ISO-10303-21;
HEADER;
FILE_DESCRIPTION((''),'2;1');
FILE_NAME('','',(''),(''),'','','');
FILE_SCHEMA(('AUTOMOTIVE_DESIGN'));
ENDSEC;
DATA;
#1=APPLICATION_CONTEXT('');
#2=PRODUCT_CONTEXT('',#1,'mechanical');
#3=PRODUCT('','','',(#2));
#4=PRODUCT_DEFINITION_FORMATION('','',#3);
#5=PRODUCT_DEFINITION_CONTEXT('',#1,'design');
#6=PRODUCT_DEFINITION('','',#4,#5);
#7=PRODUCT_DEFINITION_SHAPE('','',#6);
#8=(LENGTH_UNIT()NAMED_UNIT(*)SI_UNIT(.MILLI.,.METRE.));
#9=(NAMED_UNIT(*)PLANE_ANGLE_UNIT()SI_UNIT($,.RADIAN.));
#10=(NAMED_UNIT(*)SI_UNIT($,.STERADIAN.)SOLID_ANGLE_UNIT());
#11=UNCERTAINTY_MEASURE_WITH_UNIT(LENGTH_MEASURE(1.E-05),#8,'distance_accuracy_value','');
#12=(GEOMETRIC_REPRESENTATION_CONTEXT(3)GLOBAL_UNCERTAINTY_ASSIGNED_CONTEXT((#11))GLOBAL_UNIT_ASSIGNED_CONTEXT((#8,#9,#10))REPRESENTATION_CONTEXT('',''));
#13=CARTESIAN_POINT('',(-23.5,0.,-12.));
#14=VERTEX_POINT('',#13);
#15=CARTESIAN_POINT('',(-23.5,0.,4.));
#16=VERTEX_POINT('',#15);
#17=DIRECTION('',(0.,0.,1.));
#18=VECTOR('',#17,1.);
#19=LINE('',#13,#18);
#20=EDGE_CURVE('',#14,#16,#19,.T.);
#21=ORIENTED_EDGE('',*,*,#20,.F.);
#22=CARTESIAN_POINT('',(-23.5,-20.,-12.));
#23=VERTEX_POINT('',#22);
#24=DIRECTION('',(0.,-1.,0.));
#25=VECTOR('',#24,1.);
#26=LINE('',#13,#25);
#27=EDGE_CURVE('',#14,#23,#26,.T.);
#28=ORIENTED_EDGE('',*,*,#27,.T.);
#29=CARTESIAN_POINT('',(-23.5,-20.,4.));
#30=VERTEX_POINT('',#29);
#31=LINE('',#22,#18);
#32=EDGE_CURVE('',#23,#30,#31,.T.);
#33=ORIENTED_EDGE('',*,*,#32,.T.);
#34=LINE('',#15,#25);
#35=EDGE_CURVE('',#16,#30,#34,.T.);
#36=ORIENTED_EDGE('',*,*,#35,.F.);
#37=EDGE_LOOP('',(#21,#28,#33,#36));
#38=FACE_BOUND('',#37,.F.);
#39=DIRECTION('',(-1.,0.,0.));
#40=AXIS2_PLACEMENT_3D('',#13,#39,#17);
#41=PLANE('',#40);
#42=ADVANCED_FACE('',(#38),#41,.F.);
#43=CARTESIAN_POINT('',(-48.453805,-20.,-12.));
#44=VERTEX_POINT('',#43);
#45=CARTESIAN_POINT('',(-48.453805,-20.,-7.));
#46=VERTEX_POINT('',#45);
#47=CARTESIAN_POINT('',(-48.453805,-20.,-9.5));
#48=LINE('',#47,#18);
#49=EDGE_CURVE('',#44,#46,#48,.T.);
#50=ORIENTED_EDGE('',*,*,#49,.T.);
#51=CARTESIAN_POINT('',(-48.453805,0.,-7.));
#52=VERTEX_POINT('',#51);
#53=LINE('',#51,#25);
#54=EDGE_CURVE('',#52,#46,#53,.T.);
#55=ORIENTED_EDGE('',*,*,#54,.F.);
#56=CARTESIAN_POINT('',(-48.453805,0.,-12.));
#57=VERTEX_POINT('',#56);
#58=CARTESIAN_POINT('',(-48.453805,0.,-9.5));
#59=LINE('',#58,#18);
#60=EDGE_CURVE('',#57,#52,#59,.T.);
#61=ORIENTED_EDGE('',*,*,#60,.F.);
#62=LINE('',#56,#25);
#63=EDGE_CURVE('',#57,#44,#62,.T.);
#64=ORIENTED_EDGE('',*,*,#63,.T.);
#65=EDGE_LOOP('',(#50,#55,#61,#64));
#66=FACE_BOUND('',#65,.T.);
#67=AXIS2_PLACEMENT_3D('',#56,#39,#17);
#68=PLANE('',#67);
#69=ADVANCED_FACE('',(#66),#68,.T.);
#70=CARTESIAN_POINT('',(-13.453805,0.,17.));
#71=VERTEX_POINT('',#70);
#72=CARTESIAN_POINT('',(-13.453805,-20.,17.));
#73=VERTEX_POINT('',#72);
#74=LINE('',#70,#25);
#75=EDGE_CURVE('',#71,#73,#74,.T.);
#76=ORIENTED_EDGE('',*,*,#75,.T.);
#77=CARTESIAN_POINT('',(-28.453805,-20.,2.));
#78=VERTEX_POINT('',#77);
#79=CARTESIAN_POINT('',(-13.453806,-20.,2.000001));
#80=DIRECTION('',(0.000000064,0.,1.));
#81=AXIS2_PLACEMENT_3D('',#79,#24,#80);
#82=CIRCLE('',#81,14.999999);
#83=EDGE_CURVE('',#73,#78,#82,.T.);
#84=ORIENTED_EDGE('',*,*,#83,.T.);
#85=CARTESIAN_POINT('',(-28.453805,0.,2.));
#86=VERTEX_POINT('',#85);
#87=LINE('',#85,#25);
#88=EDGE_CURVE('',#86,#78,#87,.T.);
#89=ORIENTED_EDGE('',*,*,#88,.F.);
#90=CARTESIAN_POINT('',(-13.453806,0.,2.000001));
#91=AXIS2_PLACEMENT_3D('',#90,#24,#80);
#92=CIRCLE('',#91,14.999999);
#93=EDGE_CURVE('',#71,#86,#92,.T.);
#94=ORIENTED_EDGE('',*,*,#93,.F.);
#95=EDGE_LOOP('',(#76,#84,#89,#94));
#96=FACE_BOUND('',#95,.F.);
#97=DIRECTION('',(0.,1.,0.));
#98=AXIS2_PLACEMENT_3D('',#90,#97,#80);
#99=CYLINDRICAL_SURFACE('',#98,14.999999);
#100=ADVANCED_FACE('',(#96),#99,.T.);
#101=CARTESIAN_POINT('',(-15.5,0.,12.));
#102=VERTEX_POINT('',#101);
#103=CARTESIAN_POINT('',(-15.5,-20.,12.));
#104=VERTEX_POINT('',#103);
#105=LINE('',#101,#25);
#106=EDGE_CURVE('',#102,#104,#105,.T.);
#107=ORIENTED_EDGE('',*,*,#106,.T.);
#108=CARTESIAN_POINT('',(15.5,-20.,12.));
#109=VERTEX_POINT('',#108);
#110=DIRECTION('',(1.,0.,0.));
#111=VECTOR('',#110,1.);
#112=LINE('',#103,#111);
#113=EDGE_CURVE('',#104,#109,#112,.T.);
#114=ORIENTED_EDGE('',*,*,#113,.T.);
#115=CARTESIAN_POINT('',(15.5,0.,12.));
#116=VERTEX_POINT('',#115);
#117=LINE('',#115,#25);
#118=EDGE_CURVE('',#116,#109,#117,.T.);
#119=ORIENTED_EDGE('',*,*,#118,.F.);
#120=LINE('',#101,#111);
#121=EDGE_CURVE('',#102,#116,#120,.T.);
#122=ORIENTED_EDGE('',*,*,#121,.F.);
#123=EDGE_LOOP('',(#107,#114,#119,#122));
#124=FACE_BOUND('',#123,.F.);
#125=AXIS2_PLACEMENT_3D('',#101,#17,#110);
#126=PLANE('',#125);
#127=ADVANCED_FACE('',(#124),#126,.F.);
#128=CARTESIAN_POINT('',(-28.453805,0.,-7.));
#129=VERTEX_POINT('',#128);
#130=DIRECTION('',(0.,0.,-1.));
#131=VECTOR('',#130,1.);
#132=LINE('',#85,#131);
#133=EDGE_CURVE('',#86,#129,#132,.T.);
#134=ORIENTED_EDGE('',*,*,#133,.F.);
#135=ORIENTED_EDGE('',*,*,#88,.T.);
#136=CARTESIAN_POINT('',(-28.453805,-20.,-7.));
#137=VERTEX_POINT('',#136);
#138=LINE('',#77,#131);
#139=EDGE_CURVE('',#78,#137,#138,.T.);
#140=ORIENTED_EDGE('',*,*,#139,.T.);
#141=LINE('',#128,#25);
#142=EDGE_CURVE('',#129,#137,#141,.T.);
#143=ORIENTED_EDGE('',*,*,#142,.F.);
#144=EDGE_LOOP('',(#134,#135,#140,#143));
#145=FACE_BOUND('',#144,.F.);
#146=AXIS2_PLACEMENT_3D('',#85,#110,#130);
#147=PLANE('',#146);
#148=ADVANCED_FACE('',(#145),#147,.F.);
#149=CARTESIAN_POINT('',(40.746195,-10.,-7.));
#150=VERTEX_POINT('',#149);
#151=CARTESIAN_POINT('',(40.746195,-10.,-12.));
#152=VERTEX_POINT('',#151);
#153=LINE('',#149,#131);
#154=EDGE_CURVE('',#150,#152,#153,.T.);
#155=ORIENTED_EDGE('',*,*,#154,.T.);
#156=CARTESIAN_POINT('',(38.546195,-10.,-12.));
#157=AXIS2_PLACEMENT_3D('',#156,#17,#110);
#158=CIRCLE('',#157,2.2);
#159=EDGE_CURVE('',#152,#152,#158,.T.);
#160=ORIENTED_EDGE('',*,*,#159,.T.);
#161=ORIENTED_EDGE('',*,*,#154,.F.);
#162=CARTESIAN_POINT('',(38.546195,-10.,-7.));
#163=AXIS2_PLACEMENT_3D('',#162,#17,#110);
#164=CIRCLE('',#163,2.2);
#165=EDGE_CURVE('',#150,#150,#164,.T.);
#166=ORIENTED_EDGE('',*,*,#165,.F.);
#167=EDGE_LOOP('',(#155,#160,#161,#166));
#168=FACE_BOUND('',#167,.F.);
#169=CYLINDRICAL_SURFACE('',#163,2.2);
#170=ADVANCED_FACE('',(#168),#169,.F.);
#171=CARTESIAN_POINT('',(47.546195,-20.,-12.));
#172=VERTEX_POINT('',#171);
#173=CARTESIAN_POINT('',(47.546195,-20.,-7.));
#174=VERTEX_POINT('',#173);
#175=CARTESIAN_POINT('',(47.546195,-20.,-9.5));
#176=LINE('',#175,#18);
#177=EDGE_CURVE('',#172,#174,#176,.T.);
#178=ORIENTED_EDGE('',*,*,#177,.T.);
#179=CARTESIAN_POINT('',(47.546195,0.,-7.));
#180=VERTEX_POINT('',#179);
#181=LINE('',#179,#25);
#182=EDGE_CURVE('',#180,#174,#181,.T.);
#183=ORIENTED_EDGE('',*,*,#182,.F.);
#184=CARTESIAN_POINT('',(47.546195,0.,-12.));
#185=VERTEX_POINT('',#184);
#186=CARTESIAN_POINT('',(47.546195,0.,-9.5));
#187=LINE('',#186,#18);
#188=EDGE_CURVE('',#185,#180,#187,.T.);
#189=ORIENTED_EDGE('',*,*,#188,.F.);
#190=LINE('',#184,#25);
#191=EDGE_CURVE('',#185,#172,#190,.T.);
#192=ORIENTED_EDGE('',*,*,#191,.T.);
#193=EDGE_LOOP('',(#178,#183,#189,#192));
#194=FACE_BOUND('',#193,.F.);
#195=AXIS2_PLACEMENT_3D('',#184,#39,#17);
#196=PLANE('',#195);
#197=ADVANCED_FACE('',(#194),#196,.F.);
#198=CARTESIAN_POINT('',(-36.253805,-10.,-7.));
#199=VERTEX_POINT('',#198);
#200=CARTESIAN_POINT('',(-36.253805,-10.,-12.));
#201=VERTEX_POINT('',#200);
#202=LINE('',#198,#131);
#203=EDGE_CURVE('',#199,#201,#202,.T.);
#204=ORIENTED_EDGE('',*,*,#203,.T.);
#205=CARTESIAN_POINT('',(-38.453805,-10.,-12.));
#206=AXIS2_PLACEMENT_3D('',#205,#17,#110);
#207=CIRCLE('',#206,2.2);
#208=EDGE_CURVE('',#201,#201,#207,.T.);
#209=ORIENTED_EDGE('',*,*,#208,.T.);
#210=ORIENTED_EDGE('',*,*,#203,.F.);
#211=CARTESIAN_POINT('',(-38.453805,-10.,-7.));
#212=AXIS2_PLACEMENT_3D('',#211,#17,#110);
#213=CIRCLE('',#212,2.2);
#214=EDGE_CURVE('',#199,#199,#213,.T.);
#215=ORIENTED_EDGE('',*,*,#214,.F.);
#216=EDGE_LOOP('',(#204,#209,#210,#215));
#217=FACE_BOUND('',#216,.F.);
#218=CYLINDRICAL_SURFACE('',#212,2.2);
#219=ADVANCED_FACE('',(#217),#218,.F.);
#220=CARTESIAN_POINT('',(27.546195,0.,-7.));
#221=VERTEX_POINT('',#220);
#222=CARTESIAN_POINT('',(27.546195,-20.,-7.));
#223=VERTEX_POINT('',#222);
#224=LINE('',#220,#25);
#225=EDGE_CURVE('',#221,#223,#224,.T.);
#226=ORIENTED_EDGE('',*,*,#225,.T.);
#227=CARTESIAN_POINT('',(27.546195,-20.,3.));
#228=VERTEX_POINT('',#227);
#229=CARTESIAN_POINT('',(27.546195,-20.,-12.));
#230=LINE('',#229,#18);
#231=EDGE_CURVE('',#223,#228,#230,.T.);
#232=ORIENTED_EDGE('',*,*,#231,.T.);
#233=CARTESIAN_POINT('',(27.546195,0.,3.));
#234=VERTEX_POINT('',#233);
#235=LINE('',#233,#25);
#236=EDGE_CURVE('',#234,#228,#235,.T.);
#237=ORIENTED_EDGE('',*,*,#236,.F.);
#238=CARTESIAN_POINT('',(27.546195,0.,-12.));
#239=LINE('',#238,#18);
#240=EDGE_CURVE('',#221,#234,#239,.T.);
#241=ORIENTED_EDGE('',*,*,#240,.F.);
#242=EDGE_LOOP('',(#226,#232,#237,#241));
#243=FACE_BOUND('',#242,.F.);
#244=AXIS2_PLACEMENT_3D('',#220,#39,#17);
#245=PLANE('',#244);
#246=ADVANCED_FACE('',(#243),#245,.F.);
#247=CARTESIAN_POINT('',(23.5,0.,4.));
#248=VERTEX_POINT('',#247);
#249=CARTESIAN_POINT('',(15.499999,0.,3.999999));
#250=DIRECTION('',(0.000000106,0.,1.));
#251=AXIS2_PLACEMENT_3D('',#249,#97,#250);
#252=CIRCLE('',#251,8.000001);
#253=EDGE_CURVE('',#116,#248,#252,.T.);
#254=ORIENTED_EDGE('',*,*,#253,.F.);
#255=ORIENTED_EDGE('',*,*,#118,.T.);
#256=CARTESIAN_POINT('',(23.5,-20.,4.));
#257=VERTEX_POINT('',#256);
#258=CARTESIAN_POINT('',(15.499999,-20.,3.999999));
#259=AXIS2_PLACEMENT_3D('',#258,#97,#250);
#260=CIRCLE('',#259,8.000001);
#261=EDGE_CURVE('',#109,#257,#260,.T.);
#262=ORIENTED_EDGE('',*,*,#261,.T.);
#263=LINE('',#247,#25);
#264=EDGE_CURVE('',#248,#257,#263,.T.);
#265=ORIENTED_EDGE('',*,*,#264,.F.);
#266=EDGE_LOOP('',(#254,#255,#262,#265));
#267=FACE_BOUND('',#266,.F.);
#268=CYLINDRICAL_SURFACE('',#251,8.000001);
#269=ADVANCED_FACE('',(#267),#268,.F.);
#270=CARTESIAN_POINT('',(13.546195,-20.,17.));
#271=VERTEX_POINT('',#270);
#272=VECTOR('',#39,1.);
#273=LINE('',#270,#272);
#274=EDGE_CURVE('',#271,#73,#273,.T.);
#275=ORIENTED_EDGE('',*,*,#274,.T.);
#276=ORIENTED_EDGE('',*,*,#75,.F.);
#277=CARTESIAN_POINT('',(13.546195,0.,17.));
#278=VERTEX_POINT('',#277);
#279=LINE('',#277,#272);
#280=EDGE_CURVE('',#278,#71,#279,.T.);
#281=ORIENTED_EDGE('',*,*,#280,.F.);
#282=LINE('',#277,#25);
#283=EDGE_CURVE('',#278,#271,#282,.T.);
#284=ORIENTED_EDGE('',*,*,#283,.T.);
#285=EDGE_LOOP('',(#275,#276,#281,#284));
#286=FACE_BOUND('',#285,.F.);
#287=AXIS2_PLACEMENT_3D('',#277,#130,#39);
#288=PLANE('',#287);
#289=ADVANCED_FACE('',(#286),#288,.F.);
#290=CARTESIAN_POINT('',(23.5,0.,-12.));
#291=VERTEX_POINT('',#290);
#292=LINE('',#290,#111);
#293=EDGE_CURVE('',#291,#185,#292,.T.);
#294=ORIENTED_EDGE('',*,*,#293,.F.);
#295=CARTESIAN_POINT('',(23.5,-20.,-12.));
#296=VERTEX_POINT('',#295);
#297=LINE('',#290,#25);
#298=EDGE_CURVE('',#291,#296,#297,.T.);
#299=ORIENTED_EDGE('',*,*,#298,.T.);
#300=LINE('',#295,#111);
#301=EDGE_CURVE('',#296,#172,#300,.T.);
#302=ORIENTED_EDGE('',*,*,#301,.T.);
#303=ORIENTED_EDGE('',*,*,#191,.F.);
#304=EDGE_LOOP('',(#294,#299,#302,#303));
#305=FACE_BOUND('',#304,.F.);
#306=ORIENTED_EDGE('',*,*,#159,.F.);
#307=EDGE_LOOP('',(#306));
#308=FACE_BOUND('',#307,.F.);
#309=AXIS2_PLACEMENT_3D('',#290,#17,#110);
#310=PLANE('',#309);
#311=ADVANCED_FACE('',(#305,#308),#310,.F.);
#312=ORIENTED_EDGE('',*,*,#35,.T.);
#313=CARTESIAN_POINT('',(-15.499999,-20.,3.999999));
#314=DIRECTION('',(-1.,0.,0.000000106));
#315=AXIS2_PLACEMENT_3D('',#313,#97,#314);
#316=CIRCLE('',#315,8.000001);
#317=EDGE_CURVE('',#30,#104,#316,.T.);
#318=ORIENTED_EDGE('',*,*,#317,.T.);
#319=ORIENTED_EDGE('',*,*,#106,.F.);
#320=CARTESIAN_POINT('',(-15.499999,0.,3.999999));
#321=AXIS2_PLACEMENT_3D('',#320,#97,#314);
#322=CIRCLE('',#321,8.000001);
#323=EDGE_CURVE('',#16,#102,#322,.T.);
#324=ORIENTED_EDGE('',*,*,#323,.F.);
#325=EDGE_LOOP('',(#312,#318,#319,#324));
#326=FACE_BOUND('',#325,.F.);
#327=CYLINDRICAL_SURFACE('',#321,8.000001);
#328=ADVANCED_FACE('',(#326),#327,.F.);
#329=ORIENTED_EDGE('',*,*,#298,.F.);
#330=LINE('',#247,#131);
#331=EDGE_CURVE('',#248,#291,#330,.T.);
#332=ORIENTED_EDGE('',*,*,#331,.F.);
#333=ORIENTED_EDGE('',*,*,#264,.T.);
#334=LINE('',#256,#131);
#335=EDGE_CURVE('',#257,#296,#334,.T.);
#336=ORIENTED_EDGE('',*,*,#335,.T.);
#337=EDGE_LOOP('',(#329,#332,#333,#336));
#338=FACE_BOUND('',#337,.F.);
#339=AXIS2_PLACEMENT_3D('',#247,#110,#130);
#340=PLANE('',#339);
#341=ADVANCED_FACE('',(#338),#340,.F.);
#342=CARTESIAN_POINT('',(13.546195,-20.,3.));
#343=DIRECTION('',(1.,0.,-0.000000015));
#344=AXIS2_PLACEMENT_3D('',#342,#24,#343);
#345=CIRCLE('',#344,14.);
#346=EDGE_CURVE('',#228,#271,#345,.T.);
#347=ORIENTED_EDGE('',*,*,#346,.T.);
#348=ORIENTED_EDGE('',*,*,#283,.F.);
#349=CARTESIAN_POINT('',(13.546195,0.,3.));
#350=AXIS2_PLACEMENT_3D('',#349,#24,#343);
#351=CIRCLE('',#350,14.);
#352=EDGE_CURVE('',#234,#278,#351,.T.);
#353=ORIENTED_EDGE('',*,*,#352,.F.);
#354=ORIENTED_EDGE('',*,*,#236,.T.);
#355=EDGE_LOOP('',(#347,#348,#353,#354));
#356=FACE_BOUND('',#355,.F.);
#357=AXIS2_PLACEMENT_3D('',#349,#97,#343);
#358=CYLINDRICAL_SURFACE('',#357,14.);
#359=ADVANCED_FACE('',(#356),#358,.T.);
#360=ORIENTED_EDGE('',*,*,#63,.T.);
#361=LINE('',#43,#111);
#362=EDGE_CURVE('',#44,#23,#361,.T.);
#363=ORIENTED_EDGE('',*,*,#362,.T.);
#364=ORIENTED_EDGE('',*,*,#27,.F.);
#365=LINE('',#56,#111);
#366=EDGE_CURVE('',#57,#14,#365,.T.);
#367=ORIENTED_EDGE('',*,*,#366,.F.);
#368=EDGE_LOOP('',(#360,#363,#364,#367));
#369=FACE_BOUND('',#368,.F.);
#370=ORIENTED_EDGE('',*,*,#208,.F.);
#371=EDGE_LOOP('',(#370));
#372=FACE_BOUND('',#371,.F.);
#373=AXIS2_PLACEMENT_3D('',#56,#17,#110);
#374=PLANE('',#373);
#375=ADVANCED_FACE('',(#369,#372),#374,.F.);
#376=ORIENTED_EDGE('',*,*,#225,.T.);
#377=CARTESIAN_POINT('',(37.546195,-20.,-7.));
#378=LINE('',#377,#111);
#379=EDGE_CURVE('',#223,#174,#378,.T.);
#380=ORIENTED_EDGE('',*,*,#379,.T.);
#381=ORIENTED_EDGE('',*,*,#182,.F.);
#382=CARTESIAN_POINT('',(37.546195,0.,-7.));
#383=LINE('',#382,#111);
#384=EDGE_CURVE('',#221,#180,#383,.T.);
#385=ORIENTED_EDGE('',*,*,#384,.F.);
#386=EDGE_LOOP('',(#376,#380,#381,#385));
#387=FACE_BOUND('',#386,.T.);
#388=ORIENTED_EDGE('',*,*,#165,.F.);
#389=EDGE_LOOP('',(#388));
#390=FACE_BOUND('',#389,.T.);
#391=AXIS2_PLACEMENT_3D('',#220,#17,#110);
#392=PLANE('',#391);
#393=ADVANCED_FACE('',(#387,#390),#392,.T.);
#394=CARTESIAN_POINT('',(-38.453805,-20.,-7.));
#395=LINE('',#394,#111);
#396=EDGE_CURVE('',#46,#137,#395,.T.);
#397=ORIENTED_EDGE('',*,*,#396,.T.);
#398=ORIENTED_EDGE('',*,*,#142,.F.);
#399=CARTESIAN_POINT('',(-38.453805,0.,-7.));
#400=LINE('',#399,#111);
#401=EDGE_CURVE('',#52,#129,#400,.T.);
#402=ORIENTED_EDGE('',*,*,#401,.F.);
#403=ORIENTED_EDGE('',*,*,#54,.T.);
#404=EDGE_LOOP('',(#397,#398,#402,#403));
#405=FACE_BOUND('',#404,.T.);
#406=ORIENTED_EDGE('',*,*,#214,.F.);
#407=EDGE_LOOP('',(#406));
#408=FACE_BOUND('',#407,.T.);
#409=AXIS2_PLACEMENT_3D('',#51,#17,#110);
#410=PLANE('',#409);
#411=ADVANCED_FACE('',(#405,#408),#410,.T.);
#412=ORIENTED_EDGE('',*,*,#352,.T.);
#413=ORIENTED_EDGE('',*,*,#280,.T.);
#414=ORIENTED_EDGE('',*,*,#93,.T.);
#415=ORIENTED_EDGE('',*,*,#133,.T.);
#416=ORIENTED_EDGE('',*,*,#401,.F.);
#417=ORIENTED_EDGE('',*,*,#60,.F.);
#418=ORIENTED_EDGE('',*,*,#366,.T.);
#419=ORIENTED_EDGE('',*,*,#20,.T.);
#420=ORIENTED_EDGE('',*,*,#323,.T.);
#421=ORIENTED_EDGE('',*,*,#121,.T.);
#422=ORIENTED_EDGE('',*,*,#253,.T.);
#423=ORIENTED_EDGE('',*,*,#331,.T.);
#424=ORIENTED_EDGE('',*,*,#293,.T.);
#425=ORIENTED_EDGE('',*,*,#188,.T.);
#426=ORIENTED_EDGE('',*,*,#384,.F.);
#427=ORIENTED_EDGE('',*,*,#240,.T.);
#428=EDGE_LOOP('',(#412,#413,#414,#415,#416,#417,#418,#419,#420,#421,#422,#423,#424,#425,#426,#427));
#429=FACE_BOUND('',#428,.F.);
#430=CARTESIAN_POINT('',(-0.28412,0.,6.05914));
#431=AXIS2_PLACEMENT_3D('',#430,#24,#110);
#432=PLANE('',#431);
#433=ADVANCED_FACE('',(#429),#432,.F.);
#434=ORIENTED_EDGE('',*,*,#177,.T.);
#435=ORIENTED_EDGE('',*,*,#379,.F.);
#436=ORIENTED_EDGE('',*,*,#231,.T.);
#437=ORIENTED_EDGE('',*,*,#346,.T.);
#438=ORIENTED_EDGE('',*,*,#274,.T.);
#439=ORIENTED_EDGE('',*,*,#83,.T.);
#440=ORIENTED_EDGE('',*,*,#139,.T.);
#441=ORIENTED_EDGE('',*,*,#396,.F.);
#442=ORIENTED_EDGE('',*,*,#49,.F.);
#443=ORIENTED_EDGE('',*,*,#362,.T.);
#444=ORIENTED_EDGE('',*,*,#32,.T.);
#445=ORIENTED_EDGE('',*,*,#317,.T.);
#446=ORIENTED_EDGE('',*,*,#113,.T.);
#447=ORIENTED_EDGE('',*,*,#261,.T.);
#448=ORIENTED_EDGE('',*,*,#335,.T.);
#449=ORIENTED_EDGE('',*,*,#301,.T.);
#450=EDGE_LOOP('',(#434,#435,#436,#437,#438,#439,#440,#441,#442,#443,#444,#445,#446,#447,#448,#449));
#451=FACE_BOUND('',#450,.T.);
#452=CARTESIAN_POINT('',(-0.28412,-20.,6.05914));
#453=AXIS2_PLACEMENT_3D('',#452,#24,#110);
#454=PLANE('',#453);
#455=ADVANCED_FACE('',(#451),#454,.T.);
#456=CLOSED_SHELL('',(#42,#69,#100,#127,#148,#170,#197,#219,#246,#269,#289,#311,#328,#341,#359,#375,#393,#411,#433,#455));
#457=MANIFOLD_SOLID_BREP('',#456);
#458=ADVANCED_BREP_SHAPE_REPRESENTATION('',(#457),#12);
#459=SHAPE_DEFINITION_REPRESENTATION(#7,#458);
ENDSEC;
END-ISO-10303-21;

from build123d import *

# Parameters (mm, degrees)
F0_W     = 20
F0_H     = 5
F1_DEPTH = 20
F2_R     = 2.2
F3_DEPTH = 50


with BuildPart() as f1:
    # F0 (on Front) → F1 (new body)
    with BuildSketch(Plane.XZ):
        with BuildLine():
            ThreePointArc((-23.5, 4), (-21.156854, 9.656854), (-15.5, 12))
            Line((-15.5, 12), (15.5, 12))
            ThreePointArc((15.5, 12), (21.156854, 9.656854), (23.5, 4))
            Line((23.5, 4), (23.5, -12))
            Line((23.5, -12), (27.546195, -12))
            Line((27.546195, -12), (27.546195, -7))
            Line((27.546195, -7), (27.546195, 3))
            ThreePointArc((27.546195, 3), (23.44569, 12.899495), (13.546195, 17))
            Line((13.546195, 17), (-13.453805, 17))
            ThreePointArc((-13.453805, 17), (-24.060407, 12.606602), (-28.453805, 2))
            Line((-28.453805, 2), (-28.453805, -7))
            Line((-28.453805, -7), (-28.453805, -12))
            Line((-28.453805, -12), (-23.5, -12))
            Line((-23.5, -12), (-23.5, 4))
        make_face()
        with Locations((-38.453805, -9.5)):
            Rectangle(F0_W, F0_H)
        with Locations((37.546195, -9.5)):
            Rectangle(F0_W, F0_H)
    extrude(amount=F1_DEPTH)

    # F2 (on face) → F3 (cut)
    with BuildSketch(Plane.XY.offset(-7)):
        with Locations((38.546195, -10)):
            Circle(F2_R)
        with Locations((-38.453805, -10)):
            Circle(F2_R)
    extrude(amount=-F3_DEPTH, mode=Mode.SUBTRACT)


solid = f1.part
